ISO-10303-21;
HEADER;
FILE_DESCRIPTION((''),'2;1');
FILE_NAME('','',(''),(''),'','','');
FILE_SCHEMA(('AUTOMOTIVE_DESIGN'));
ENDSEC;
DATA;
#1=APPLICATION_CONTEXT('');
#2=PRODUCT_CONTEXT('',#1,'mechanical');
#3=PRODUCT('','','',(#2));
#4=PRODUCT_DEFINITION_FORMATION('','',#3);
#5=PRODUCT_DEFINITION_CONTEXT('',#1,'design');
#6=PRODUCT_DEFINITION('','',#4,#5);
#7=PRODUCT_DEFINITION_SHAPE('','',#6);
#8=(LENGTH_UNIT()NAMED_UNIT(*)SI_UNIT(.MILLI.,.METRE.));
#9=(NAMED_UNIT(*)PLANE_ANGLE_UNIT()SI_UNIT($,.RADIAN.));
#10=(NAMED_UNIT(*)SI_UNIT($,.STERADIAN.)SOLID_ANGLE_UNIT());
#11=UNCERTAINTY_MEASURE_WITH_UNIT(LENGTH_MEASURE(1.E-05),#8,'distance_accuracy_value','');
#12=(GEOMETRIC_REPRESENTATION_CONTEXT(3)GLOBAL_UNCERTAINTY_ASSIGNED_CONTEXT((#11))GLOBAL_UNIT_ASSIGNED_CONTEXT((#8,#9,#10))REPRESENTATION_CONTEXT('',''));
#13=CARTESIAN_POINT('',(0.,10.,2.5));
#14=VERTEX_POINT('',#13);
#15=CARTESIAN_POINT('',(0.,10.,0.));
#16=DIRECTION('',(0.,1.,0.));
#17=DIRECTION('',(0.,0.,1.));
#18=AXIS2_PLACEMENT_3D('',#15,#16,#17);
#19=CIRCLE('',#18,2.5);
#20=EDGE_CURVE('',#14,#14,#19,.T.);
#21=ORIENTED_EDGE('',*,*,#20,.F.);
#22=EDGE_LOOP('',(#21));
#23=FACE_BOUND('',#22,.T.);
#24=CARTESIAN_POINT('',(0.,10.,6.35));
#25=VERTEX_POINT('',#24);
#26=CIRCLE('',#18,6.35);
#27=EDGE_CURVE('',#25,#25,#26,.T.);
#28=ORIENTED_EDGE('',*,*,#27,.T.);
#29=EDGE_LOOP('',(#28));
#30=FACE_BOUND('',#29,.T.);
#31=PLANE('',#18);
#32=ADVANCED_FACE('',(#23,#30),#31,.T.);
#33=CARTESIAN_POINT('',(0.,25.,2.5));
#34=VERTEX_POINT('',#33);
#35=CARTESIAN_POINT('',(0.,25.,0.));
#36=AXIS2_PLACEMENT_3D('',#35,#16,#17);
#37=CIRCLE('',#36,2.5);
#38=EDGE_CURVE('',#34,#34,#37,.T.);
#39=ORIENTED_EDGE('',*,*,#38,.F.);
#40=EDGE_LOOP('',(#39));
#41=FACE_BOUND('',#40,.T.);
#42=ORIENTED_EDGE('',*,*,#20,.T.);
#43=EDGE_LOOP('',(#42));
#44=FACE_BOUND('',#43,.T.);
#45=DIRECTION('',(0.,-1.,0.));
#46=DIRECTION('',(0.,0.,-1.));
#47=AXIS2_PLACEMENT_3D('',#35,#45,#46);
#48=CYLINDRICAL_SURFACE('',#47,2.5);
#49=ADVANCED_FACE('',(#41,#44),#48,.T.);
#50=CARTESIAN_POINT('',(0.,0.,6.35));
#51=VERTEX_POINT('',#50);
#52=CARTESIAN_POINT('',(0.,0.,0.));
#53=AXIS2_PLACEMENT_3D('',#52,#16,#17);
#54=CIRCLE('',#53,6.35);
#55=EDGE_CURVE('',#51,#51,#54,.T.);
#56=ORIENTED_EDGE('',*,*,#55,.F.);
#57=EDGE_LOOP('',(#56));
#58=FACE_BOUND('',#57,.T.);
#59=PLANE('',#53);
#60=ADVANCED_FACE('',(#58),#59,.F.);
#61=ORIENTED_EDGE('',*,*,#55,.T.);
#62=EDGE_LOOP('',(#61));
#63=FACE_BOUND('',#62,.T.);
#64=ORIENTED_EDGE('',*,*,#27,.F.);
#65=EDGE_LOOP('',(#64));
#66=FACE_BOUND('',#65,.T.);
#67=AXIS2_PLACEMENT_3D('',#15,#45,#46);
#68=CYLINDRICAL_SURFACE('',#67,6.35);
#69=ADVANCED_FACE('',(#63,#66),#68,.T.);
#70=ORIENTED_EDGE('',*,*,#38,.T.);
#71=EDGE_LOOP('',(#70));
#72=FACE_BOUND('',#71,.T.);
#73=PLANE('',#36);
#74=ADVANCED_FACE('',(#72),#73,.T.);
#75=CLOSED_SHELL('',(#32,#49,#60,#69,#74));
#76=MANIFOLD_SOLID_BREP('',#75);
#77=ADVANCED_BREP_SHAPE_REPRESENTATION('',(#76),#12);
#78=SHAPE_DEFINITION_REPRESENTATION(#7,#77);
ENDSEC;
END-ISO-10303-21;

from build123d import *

# Parameters (mm, degrees)
SKETCH1_R           = 6.35
BOSS_EXTRUDE1_DEPTH = 10
SKETCH2_R           = 2.5
BOSS_EXTRUDE2_DEPTH = 15


with BuildPart() as part:
    # Sketch1 → Boss-Extrude1 (new body)
    with BuildSketch(Plane(origin=(0, 0, 0), x_dir=(1, 0, 0), z_dir=(0, 1, 0))):
        Circle(SKETCH1_R)
    extrude(amount=BOSS_EXTRUDE1_DEPTH)

    # Sketch2 → Boss-Extrude2 (add)
    with BuildSketch(Plane(origin=(0, 10, 0), x_dir=(1, 0, 0), z_dir=(0, 1, 0))):
        Circle(SKETCH2_R)
    extrude(amount=BOSS_EXTRUDE2_DEPTH)


solid = part.part
